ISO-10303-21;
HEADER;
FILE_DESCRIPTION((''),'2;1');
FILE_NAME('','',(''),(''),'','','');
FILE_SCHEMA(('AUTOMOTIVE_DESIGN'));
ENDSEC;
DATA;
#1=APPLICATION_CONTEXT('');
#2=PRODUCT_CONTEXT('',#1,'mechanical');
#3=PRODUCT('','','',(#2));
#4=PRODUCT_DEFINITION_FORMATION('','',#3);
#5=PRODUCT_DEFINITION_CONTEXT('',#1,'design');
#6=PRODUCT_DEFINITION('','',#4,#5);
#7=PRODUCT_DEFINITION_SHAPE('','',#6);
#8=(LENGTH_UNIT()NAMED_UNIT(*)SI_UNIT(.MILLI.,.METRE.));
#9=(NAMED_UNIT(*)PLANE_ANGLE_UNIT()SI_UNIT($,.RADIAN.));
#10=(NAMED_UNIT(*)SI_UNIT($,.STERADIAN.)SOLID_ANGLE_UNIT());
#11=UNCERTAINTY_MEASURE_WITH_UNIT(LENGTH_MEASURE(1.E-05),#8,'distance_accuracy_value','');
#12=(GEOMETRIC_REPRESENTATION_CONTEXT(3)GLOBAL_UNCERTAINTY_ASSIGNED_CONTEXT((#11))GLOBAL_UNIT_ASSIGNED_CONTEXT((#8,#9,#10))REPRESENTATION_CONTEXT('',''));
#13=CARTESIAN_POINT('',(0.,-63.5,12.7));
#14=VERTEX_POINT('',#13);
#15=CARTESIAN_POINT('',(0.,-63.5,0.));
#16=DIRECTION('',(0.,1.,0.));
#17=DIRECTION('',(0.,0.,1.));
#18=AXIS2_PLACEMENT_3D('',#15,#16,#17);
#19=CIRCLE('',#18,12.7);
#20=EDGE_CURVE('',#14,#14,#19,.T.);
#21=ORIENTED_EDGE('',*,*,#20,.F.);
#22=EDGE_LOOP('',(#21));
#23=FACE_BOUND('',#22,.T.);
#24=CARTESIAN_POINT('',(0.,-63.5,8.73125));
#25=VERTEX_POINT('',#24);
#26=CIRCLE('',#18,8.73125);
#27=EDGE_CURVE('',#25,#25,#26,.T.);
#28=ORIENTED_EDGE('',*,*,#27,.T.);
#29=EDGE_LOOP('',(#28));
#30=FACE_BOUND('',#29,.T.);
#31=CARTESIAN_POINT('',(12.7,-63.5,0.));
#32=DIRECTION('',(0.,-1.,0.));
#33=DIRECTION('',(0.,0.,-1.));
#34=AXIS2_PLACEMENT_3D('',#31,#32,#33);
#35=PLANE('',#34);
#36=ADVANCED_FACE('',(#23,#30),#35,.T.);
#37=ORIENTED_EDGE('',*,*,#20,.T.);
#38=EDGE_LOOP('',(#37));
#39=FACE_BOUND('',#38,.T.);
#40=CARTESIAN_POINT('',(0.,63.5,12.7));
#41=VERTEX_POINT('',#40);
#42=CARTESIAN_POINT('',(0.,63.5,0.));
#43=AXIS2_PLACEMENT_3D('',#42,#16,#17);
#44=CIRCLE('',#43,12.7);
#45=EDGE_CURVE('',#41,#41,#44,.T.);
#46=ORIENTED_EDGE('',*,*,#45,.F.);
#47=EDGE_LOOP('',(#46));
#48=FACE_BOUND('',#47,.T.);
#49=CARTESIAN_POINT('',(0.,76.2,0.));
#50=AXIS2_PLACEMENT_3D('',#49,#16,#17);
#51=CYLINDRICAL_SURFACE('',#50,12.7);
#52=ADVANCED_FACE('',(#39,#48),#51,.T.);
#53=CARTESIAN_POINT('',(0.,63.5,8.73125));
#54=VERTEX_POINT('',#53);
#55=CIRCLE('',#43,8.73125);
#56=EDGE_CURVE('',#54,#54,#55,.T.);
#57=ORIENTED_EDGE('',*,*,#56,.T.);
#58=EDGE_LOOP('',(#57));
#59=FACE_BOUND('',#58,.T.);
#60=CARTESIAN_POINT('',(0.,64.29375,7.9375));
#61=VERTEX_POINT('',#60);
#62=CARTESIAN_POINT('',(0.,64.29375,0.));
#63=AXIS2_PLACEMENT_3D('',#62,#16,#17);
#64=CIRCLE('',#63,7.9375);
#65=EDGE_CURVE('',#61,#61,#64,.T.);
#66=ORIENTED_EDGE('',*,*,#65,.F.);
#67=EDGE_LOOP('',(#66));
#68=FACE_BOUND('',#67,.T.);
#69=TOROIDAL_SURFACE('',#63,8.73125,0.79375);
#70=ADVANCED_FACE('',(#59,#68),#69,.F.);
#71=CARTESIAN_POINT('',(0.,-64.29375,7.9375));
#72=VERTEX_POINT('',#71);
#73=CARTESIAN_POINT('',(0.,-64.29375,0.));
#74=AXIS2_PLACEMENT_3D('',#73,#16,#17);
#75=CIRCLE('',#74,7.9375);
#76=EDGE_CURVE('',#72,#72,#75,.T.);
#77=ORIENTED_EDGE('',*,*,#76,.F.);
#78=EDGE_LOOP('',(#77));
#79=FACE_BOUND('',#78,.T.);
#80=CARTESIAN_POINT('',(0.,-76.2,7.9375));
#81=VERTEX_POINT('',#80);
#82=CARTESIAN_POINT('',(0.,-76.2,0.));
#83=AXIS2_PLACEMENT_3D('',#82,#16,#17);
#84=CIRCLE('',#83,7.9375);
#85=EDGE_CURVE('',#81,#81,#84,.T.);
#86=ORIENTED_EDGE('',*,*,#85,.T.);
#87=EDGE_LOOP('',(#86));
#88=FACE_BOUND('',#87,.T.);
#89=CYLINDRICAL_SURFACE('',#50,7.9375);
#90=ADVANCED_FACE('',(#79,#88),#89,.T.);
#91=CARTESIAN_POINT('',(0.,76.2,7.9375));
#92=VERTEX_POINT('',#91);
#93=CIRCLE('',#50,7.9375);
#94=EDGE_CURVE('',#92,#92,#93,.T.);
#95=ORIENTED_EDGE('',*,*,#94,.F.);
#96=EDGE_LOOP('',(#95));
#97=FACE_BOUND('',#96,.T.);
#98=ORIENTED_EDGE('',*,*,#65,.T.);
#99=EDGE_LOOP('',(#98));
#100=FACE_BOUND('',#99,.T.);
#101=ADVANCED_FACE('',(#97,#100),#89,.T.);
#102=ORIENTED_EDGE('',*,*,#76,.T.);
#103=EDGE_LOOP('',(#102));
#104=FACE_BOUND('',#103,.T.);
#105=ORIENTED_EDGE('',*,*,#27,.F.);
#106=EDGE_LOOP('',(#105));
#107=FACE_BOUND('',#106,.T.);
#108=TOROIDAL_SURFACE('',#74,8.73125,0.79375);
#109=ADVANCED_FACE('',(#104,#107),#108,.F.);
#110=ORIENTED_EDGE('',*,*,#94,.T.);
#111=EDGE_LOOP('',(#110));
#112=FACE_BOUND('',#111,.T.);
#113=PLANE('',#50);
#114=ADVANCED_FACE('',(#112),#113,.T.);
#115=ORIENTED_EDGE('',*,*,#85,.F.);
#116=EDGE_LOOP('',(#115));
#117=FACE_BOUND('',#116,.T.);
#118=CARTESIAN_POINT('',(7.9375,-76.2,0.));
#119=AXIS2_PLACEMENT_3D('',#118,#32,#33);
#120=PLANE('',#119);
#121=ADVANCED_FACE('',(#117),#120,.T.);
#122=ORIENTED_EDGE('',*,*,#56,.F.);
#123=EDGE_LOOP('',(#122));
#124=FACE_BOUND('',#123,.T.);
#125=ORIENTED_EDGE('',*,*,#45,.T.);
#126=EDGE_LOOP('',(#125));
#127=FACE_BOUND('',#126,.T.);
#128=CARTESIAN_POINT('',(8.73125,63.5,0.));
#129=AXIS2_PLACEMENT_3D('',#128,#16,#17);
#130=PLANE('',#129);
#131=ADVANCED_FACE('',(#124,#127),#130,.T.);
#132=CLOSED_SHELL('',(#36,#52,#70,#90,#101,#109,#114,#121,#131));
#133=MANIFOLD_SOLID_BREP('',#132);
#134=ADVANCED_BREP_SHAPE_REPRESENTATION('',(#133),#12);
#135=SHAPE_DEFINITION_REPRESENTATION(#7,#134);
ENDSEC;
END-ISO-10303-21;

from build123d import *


with BuildPart() as part:
    # Sketch1 → Revolve1 (revolve)
    with BuildSketch(Plane.XY, mode=Mode.PRIVATE) as revolve1_sk:
        with BuildLine():
            Line((0, 76.2), (-7.9375, 76.2))
            Line((-7.9375, 76.2), (-7.9375, 64.29375))
            ThreePointArc((-7.9375, 64.29375), (-8.169983992, 63.732483992), (-8.73125, 63.5))
            Line((-8.73125, 63.5), (-12.7, 63.5))
            Line((-12.7, 63.5), (-12.7, -63.5))
            Line((-12.7, -63.5), (-8.73125, -63.5))
            ThreePointArc((-8.73125, -63.5), (-8.169983992, -63.732483992), (-7.9375, -64.29375))
            Line((-7.9375, -64.29375), (-7.9375, -76.2))
            Line((-7.9375, -76.2), (0, -76.2))
            Line((0, -76.2), (0, 76.2))
        make_face()
    revolve(revolve1_sk.sketch.rotate(Axis((0, 76.2, 0), (0, -1, 0)), 270), axis=Axis((0, 76.2, 0), (0, -1, 0)))


solid = part.part
